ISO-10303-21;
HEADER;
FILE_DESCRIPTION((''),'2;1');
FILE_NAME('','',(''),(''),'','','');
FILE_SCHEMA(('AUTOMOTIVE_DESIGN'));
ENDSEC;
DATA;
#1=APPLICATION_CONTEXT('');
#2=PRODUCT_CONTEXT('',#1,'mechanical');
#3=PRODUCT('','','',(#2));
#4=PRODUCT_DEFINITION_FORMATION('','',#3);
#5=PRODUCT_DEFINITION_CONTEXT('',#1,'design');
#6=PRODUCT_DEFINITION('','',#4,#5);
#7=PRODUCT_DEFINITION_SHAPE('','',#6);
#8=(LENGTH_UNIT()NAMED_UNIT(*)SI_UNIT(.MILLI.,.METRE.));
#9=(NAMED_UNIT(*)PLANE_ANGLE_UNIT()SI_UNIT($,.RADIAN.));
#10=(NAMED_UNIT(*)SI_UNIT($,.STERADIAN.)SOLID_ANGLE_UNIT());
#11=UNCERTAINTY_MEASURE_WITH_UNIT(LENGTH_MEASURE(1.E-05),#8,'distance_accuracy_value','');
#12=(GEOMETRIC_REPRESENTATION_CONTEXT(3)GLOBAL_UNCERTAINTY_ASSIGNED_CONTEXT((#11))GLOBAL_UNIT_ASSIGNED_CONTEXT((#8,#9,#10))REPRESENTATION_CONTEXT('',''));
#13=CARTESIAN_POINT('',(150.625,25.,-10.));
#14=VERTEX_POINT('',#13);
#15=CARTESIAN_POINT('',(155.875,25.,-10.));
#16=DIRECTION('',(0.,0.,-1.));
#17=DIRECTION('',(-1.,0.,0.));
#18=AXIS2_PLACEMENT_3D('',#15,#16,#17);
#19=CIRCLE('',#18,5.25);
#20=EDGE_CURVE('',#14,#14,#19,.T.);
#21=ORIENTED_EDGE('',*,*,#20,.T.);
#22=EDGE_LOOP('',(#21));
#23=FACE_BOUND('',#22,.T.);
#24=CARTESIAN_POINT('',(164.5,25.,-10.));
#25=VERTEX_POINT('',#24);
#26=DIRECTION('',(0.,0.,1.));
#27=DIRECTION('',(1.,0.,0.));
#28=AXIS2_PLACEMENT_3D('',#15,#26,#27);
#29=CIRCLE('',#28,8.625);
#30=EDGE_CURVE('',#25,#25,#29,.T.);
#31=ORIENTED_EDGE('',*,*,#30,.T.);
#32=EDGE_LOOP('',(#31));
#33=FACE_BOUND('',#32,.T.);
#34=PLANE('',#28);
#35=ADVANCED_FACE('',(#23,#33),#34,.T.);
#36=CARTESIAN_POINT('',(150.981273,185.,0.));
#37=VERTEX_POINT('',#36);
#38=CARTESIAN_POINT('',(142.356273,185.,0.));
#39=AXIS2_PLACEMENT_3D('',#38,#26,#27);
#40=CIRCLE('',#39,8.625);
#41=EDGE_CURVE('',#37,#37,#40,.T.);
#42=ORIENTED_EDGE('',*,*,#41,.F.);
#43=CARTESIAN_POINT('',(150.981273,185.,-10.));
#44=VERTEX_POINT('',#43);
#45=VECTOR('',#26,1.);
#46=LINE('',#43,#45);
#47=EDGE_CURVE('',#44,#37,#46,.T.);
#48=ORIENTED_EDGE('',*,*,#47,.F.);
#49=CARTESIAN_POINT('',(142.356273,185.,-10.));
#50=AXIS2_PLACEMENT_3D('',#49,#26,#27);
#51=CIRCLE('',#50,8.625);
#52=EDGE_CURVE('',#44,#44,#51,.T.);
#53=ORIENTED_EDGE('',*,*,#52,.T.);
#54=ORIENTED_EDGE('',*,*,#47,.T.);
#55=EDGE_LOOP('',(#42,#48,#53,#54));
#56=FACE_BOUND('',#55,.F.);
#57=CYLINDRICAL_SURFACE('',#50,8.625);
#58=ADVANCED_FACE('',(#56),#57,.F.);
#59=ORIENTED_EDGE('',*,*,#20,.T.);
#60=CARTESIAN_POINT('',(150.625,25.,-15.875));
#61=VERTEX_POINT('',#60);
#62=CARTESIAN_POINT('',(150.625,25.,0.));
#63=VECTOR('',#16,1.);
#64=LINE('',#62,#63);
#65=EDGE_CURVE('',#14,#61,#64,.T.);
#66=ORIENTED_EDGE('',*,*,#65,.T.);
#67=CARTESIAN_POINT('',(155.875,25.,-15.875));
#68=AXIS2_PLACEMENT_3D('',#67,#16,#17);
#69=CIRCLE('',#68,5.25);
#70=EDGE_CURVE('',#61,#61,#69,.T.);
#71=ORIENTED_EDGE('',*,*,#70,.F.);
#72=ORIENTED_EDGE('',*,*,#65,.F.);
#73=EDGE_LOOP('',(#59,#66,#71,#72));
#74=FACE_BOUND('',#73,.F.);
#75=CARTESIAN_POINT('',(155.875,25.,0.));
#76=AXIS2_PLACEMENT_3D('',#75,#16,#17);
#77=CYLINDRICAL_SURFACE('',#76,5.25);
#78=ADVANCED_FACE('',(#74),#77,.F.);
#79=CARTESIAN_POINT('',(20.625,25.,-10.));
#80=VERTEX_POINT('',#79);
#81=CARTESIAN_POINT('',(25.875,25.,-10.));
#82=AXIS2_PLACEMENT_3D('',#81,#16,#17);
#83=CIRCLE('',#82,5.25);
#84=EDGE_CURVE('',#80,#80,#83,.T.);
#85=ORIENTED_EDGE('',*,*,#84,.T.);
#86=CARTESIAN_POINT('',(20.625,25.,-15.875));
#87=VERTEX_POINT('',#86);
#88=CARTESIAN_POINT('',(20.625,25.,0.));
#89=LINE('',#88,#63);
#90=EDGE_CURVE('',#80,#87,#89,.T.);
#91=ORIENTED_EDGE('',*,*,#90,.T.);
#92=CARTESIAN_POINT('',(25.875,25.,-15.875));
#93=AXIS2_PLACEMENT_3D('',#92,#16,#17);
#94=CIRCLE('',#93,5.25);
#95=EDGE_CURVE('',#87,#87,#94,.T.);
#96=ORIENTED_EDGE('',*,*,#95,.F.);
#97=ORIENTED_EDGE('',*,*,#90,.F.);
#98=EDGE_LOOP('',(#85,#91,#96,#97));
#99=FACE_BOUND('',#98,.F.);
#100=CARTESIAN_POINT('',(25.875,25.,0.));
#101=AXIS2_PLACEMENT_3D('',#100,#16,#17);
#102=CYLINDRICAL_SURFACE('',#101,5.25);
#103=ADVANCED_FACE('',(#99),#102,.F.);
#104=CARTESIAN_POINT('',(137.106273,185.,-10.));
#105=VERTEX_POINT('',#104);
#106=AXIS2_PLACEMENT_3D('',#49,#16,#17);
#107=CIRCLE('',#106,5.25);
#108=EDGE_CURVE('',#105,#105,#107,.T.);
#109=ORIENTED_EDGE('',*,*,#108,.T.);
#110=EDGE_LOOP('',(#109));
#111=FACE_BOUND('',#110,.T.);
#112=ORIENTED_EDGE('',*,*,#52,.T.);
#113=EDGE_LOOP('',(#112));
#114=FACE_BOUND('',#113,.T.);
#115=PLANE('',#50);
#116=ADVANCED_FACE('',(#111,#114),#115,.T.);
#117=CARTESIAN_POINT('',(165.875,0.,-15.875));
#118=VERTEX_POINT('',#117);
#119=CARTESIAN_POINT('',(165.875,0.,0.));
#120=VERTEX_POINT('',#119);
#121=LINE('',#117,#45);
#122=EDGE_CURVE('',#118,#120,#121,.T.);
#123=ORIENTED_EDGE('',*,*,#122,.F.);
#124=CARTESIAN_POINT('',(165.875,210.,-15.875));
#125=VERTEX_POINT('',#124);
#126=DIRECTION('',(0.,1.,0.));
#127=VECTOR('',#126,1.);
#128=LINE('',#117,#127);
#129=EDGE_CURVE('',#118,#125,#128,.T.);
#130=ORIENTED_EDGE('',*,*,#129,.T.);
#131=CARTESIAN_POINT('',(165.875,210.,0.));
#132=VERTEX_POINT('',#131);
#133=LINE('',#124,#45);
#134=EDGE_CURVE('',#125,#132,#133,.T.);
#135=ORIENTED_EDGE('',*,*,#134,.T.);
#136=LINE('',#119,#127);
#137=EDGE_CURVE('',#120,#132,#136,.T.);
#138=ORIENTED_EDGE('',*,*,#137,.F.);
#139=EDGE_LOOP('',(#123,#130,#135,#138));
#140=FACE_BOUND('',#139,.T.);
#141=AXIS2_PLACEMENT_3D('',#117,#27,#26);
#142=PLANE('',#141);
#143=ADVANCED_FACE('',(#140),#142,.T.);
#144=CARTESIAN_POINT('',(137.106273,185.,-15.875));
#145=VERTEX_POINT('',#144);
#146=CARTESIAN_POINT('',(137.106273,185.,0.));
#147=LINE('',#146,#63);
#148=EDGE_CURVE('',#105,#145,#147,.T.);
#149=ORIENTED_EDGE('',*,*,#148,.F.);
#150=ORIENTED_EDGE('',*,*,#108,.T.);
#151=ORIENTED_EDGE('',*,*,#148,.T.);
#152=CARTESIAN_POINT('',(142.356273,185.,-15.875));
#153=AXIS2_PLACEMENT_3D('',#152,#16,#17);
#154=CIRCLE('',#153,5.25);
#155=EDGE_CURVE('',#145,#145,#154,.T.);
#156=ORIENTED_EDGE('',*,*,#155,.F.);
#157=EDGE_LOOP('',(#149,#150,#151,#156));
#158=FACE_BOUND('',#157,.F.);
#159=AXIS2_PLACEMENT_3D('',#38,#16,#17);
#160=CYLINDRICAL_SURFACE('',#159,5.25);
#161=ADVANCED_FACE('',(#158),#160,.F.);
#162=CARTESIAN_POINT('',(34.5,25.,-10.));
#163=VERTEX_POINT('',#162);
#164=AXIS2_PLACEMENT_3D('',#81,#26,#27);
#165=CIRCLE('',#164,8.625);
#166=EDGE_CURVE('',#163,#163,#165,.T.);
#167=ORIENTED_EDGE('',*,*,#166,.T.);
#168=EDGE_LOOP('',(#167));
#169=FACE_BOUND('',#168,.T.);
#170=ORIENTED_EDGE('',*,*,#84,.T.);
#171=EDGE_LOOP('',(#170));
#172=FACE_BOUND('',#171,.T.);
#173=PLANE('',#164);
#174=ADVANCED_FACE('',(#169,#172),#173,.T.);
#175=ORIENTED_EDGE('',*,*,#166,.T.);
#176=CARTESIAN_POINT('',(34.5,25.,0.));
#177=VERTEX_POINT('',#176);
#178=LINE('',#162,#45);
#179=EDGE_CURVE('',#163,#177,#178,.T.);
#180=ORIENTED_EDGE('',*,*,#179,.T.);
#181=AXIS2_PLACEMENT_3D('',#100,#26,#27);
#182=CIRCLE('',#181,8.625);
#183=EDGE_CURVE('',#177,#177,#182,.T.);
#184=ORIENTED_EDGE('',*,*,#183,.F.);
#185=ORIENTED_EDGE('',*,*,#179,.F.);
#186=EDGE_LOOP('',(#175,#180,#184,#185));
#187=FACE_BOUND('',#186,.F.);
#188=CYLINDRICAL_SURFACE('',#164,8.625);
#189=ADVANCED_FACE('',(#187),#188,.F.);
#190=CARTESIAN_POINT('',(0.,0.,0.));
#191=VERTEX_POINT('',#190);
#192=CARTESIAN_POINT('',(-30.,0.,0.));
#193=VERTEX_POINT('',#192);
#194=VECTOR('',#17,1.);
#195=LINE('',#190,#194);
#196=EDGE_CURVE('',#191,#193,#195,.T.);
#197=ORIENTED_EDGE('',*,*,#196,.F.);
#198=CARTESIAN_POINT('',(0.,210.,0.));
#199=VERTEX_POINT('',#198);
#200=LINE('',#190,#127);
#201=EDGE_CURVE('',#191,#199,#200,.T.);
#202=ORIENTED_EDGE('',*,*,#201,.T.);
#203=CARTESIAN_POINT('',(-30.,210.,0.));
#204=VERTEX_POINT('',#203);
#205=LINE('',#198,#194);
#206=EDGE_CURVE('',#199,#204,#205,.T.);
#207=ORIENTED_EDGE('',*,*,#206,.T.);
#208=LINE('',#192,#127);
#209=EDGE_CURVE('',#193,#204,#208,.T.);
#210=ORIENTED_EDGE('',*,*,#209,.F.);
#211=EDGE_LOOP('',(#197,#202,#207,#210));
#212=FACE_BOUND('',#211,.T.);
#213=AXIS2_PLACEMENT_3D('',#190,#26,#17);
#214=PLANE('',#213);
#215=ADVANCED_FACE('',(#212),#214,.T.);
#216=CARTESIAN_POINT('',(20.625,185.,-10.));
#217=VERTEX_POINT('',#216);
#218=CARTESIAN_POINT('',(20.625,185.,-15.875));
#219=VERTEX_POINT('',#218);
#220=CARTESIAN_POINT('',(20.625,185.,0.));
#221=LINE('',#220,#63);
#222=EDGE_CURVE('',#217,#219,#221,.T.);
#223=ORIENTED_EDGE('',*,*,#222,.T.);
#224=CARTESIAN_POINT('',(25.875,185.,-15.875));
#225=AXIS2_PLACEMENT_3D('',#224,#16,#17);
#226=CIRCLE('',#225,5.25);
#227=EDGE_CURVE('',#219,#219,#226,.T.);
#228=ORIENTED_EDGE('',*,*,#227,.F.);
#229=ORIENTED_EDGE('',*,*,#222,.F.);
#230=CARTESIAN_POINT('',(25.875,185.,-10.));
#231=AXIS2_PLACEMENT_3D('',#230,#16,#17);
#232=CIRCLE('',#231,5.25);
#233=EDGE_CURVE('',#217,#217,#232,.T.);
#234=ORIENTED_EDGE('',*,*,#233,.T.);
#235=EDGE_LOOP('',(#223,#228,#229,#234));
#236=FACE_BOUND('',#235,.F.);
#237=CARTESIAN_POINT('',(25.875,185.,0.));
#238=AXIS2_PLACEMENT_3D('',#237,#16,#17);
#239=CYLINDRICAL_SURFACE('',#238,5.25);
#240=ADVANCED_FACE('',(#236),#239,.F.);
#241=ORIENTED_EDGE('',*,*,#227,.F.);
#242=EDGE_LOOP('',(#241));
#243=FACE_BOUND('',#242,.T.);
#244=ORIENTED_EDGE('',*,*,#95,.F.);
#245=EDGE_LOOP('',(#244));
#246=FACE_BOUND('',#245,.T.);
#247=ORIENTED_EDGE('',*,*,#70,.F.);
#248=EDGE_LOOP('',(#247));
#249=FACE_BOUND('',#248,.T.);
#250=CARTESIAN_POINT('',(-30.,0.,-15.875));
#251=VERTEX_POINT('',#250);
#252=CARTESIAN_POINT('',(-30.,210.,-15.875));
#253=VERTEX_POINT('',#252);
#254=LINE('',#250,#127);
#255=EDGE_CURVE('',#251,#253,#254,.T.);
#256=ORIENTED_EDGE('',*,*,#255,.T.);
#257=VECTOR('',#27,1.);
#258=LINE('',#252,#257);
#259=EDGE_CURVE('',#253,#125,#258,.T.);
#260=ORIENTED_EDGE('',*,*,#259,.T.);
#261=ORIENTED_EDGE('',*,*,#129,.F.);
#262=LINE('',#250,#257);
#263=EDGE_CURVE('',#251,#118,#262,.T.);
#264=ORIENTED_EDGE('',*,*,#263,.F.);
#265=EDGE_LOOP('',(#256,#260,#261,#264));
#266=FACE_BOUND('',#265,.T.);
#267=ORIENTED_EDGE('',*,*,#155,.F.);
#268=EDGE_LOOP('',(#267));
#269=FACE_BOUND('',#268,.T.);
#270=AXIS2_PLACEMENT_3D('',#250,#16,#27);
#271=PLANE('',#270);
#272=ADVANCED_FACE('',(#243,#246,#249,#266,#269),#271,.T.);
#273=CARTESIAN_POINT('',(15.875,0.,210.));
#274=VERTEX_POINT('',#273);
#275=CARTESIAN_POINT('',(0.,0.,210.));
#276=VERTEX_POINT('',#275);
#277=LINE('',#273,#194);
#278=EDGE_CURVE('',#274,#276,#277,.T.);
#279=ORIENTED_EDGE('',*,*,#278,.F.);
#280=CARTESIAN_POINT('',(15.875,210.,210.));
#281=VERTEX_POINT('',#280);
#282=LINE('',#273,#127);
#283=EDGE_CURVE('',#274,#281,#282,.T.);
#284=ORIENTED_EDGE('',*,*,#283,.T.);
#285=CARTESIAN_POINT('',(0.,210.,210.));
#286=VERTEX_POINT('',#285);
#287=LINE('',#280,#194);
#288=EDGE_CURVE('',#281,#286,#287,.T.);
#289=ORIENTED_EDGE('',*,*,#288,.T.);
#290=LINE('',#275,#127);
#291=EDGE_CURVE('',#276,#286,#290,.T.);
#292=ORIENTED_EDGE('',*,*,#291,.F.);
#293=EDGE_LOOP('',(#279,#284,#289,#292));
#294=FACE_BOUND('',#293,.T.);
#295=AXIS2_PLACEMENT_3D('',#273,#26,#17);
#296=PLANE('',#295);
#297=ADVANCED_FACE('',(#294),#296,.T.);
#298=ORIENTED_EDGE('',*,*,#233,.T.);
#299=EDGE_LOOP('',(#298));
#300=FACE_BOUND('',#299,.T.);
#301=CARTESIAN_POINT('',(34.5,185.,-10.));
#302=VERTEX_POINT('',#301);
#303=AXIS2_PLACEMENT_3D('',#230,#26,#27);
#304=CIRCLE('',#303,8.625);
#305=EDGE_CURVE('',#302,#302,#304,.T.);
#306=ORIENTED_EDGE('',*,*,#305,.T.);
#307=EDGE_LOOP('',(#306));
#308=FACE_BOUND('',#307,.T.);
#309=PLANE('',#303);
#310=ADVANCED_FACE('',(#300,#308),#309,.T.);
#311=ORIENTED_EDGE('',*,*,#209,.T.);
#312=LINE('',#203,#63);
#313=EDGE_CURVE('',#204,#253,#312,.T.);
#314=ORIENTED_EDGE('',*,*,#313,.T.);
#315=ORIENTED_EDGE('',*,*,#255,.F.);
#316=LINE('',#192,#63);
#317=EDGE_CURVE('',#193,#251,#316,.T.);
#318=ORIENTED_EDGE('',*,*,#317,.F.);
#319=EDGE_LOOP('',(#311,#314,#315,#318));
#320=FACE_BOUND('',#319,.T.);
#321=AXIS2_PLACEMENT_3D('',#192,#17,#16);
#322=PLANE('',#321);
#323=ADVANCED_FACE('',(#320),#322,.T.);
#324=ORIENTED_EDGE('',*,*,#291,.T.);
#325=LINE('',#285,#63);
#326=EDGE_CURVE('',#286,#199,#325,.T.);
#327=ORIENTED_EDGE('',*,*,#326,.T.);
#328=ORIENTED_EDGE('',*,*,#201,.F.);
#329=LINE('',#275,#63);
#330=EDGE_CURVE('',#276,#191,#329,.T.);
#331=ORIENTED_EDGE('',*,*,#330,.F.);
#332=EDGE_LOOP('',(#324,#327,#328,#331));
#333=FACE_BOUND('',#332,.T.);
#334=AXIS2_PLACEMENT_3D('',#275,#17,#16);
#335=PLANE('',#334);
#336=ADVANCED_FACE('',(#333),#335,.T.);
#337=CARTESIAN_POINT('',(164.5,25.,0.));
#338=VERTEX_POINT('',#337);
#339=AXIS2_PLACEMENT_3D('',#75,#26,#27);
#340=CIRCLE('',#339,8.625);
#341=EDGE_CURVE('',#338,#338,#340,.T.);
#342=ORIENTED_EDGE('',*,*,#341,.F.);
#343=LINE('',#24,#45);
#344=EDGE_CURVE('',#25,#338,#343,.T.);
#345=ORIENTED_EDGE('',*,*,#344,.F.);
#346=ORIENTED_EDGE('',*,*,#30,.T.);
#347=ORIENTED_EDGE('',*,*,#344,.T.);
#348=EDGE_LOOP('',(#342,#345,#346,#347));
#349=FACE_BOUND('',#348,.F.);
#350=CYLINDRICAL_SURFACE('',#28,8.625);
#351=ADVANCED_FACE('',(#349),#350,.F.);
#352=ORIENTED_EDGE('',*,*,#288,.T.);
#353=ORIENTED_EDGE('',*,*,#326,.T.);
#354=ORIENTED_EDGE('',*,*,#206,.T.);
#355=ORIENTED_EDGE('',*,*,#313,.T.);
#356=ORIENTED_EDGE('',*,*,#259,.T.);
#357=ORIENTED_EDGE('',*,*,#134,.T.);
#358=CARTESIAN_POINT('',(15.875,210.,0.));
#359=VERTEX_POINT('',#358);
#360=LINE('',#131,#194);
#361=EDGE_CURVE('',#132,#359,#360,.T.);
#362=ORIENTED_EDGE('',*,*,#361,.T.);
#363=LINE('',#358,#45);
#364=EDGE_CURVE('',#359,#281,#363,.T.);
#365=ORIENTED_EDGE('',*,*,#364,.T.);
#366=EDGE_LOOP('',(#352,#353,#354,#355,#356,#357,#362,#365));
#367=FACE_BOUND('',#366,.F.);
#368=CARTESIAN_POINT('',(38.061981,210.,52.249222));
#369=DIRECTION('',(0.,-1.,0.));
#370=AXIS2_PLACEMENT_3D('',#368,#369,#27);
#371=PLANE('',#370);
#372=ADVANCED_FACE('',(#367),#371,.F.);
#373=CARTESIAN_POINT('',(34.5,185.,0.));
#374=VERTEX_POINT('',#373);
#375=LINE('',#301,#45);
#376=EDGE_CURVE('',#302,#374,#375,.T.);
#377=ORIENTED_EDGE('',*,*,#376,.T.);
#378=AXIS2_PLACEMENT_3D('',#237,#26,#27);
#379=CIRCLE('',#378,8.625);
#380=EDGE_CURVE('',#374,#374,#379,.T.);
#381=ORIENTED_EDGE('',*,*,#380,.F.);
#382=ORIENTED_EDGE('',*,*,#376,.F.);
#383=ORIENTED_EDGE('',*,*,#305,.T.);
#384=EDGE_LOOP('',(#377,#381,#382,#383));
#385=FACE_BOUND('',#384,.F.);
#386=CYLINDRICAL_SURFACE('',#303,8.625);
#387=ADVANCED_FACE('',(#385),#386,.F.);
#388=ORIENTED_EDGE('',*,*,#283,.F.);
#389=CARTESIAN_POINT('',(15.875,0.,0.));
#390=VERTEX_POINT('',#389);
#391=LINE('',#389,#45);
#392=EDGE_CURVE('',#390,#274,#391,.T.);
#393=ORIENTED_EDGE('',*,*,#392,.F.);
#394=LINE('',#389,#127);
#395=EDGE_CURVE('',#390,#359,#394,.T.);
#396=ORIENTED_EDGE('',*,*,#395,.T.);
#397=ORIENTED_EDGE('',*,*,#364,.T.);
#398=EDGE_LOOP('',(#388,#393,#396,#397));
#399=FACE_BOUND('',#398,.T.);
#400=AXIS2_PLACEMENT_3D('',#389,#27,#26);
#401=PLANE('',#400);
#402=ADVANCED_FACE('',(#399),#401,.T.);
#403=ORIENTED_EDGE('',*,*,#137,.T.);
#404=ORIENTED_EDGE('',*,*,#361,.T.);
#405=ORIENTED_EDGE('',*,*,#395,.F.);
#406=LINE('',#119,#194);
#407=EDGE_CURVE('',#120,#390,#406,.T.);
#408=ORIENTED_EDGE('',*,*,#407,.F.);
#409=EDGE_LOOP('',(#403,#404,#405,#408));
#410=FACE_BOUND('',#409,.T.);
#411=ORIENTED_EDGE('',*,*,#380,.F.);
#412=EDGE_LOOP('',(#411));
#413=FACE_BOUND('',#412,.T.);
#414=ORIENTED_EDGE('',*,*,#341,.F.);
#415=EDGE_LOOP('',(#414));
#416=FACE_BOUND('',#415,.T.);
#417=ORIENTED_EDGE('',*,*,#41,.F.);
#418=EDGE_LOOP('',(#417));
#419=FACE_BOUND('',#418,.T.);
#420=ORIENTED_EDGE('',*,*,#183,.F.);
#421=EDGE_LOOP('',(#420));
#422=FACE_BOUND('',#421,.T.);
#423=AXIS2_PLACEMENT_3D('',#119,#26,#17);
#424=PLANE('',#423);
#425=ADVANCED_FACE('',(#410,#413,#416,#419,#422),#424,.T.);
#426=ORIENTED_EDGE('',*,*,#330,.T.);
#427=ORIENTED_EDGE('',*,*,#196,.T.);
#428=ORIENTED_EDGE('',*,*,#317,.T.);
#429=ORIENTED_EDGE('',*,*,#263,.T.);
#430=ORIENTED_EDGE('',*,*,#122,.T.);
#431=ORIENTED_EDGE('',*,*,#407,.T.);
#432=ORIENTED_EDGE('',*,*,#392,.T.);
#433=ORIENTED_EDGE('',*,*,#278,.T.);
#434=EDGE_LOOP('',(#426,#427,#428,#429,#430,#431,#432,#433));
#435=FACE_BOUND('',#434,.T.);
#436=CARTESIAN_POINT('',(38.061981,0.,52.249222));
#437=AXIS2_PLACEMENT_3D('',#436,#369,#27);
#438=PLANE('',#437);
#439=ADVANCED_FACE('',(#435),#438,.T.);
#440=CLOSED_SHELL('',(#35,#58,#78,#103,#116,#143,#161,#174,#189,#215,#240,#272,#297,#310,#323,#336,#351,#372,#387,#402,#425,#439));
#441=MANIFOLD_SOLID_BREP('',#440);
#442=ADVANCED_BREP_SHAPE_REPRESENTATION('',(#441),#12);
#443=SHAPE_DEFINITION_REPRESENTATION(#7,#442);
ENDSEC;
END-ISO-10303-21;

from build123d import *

# Parameters (mm, degrees)
F1_DEPTH       = 210
F3_D           = 10.5
F3_CBORE_D     = 17.25
F3_CBORE_DEPTH = 10


with BuildPart() as f1:
    # F0 (on Front) → F1 (new body)
    with BuildSketch(Plane.XZ):
        Polygon((0, 210), (0, 0), (-30, 0), (-30, -15.875), (165.875, -15.875), (165.875, 0), (15.875, 0), (15.875, 210), align=None)
    extrude(amount=-F1_DEPTH)

    # F3 (through all)
    with Locations(Plane.XY):
        with Locations((25.875, 25), (155.875, 25), (142.3562726393, 185), (25.875, 185)):
            CounterBoreHole(F3_D / 2, F3_CBORE_D / 2, F3_CBORE_DEPTH)


solid = f1.part
